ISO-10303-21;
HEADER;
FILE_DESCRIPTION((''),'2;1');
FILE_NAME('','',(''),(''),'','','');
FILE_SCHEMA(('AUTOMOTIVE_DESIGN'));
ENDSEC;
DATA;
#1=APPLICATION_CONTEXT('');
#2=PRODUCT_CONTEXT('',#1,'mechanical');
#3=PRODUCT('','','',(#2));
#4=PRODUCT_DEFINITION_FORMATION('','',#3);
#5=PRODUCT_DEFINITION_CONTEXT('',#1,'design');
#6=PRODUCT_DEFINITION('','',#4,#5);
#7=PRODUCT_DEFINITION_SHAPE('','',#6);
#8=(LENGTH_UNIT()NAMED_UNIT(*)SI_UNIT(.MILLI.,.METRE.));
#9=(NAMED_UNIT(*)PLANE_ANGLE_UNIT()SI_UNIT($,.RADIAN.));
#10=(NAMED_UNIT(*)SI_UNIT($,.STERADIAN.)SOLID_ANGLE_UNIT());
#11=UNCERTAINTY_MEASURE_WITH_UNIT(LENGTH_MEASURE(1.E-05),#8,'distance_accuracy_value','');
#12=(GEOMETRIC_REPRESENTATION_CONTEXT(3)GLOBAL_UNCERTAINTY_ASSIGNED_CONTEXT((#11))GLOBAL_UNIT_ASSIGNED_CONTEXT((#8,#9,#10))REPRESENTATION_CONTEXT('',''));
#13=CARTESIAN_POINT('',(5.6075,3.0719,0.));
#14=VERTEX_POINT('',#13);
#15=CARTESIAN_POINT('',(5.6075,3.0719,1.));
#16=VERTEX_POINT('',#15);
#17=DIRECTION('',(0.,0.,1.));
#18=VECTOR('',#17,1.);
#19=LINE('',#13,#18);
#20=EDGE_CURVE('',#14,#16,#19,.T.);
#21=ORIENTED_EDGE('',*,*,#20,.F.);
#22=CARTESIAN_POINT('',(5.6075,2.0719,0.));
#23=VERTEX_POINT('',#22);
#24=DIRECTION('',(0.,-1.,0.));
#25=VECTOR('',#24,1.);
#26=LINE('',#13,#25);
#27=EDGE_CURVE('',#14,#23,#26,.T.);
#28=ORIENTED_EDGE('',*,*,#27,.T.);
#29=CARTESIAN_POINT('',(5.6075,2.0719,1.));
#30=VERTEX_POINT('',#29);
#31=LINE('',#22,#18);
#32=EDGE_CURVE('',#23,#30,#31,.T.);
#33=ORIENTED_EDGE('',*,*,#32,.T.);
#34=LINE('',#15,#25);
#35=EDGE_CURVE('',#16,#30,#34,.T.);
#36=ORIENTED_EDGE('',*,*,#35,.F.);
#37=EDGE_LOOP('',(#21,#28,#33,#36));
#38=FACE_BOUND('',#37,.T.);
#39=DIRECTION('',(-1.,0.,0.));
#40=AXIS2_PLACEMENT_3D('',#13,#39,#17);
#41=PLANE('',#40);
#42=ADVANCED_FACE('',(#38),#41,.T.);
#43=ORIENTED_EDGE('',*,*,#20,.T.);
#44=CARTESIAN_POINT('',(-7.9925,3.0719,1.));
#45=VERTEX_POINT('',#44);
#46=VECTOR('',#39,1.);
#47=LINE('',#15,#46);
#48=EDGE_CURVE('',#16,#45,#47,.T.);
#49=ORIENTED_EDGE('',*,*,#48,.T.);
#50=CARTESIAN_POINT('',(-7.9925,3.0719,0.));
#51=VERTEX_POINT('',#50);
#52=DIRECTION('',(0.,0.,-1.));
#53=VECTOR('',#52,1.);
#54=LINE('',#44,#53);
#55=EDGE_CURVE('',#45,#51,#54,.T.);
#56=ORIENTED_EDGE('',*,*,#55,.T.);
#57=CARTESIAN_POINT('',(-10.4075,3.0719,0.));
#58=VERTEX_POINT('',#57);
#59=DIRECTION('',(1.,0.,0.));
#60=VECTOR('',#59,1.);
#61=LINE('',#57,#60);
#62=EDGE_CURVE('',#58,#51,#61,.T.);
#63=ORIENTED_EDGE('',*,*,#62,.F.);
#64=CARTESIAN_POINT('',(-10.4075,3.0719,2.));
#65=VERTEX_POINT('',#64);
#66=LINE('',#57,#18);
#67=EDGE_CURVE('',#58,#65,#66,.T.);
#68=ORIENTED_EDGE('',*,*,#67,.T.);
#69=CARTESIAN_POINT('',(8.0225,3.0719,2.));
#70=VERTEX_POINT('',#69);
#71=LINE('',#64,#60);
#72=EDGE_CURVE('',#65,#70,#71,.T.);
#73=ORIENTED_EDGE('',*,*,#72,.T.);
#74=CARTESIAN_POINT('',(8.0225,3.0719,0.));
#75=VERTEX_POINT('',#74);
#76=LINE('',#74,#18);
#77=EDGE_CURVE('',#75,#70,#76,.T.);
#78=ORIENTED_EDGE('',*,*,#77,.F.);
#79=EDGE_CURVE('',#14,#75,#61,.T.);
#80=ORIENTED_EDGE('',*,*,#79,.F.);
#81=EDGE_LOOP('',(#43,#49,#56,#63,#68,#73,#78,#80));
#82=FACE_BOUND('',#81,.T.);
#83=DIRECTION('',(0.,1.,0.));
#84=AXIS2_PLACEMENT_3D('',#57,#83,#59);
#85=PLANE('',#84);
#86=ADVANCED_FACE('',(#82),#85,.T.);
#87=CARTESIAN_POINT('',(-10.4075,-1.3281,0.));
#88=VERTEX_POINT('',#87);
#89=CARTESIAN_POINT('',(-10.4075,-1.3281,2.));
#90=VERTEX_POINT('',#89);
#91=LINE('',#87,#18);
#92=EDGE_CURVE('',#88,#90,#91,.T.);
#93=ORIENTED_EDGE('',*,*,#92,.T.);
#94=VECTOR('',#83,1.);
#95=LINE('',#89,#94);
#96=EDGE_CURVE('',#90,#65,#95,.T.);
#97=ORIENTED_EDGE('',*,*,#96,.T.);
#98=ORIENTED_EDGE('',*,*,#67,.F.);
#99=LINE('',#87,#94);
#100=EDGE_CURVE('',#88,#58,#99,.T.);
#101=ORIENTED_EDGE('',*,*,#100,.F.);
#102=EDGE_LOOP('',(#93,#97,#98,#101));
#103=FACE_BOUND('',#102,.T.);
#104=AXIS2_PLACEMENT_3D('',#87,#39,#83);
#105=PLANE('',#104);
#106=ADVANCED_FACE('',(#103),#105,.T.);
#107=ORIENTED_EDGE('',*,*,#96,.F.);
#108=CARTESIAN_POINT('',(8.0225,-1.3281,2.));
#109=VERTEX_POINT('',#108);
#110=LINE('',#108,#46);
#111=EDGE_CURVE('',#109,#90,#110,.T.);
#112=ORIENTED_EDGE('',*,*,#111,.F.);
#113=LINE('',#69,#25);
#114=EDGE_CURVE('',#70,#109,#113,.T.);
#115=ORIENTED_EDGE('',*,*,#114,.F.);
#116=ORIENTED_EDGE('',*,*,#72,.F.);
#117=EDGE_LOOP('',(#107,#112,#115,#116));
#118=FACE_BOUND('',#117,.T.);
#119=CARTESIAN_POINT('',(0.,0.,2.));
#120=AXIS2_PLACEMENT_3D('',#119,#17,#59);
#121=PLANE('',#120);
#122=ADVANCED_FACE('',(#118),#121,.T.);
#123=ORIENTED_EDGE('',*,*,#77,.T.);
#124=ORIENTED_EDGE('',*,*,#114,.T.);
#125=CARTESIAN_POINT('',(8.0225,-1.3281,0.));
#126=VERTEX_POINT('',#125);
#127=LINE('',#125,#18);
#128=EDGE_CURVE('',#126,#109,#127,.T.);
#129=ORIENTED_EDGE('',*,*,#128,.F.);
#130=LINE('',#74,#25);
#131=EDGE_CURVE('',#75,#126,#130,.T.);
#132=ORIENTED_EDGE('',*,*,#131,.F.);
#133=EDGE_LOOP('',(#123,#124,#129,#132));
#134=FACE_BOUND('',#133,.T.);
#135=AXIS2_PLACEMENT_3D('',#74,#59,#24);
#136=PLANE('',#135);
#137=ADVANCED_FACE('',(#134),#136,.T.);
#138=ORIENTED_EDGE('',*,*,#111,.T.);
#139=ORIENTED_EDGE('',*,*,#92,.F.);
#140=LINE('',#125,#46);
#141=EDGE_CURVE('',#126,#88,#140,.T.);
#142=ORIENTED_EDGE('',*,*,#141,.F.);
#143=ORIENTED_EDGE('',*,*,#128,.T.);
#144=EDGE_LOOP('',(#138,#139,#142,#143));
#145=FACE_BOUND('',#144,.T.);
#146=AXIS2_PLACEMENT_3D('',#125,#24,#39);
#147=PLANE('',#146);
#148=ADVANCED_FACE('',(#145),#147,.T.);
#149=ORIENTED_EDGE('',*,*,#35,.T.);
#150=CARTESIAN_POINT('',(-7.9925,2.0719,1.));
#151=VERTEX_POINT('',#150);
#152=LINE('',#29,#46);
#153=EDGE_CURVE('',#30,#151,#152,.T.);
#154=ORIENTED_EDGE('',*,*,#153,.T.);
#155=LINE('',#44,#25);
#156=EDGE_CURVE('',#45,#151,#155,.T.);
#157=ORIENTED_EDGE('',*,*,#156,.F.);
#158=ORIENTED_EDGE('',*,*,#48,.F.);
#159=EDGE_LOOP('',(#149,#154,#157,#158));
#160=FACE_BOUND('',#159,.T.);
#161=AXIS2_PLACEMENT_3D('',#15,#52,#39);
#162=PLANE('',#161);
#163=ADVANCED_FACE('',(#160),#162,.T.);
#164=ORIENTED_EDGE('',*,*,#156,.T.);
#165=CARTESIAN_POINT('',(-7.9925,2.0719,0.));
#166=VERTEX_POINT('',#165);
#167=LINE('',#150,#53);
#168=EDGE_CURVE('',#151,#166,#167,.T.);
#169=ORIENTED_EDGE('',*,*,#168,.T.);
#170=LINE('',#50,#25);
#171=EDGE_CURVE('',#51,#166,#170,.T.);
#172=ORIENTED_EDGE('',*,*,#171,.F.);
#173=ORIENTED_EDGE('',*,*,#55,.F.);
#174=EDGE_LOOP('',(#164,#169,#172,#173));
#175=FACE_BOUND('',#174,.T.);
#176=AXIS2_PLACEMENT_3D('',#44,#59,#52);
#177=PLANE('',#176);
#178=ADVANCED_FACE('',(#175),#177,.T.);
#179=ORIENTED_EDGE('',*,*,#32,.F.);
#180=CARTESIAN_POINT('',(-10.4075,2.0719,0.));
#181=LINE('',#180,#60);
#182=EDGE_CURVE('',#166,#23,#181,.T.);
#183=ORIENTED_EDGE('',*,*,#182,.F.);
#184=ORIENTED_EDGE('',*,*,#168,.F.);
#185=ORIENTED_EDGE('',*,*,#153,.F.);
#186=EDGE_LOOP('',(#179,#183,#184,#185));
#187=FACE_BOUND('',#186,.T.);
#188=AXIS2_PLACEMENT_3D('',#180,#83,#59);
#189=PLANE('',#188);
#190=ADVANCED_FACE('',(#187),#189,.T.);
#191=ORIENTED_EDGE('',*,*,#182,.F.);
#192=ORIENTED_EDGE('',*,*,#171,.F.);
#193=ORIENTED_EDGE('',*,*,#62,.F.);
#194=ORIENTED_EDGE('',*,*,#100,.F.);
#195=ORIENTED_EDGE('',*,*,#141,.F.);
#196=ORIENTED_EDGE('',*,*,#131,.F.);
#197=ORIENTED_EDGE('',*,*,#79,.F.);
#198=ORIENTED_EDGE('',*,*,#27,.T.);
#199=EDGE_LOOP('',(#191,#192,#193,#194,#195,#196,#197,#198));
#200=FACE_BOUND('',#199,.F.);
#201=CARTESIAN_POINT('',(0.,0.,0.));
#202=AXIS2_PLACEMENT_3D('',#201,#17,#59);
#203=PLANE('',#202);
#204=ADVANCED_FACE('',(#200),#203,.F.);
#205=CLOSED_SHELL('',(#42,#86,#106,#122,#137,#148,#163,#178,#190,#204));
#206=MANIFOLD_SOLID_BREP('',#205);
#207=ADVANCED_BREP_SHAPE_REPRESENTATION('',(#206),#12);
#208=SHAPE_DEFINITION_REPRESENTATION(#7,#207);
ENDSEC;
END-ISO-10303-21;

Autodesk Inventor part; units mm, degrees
ref_plane "YZ Plane" through (0, 0, 0) normal (1, 0, 0) x (0, 1, 0)
ref_plane "XZ Plane" through (0, 0, 0) normal (0, 1, 0) x (-1, 0, 0)
ref_plane "XY Plane" through (0, 0, 0) normal (0, 0, 1) x (1, 0, 0)
sketch "Sketch1" plane through (0, 0, 0) normal (0, 0, 1) x (1, 0, 0)
  line L0 (8.0225, -1.3281) -> (-10.4075, -1.3281)
  line L1 (-10.4075, -1.3281) -> (-10.4075, 3.0719)
  line L2 (-10.4075, 3.0719) -> (8.0225, 3.0719)
  line L3 (8.0225, 3.0719) -> (8.0225, -1.3281)
  point P0 (0, 0)
  dimension "d0" = 18.43
  dimension "d1" = 4.4
extrude "Extrusion1" add sketch "Sketch1" along normal blind 2
sketch "Sketch2" plane through (-10.4075, 3.0719, 0) normal (0, 1, 0) x (1, 0, 0)
  line L0 (0, 0) -> (18.43, 0) projected
  line L1 (18.43, 0) -> (18.43, -2) projected
  line L2 (2.415, 0) -> (16.015, 0)
  line L3 (16.015, 0) -> (16.015, -1)
  line L4 (16.015, -1) -> (2.415, -1)
  line L5 (2.415, -1) -> (2.415, 0)
  point P0 (10.4075, 0)
  dimension "d4" = 13.6
  dimension "d5" = 2.415
  dimension "d6" = 0
  dimension "d7" = 1
extrude "Extrusion2" cut sketch "Sketch2" against normal blind 1
properties part number "FlatFlex26"
